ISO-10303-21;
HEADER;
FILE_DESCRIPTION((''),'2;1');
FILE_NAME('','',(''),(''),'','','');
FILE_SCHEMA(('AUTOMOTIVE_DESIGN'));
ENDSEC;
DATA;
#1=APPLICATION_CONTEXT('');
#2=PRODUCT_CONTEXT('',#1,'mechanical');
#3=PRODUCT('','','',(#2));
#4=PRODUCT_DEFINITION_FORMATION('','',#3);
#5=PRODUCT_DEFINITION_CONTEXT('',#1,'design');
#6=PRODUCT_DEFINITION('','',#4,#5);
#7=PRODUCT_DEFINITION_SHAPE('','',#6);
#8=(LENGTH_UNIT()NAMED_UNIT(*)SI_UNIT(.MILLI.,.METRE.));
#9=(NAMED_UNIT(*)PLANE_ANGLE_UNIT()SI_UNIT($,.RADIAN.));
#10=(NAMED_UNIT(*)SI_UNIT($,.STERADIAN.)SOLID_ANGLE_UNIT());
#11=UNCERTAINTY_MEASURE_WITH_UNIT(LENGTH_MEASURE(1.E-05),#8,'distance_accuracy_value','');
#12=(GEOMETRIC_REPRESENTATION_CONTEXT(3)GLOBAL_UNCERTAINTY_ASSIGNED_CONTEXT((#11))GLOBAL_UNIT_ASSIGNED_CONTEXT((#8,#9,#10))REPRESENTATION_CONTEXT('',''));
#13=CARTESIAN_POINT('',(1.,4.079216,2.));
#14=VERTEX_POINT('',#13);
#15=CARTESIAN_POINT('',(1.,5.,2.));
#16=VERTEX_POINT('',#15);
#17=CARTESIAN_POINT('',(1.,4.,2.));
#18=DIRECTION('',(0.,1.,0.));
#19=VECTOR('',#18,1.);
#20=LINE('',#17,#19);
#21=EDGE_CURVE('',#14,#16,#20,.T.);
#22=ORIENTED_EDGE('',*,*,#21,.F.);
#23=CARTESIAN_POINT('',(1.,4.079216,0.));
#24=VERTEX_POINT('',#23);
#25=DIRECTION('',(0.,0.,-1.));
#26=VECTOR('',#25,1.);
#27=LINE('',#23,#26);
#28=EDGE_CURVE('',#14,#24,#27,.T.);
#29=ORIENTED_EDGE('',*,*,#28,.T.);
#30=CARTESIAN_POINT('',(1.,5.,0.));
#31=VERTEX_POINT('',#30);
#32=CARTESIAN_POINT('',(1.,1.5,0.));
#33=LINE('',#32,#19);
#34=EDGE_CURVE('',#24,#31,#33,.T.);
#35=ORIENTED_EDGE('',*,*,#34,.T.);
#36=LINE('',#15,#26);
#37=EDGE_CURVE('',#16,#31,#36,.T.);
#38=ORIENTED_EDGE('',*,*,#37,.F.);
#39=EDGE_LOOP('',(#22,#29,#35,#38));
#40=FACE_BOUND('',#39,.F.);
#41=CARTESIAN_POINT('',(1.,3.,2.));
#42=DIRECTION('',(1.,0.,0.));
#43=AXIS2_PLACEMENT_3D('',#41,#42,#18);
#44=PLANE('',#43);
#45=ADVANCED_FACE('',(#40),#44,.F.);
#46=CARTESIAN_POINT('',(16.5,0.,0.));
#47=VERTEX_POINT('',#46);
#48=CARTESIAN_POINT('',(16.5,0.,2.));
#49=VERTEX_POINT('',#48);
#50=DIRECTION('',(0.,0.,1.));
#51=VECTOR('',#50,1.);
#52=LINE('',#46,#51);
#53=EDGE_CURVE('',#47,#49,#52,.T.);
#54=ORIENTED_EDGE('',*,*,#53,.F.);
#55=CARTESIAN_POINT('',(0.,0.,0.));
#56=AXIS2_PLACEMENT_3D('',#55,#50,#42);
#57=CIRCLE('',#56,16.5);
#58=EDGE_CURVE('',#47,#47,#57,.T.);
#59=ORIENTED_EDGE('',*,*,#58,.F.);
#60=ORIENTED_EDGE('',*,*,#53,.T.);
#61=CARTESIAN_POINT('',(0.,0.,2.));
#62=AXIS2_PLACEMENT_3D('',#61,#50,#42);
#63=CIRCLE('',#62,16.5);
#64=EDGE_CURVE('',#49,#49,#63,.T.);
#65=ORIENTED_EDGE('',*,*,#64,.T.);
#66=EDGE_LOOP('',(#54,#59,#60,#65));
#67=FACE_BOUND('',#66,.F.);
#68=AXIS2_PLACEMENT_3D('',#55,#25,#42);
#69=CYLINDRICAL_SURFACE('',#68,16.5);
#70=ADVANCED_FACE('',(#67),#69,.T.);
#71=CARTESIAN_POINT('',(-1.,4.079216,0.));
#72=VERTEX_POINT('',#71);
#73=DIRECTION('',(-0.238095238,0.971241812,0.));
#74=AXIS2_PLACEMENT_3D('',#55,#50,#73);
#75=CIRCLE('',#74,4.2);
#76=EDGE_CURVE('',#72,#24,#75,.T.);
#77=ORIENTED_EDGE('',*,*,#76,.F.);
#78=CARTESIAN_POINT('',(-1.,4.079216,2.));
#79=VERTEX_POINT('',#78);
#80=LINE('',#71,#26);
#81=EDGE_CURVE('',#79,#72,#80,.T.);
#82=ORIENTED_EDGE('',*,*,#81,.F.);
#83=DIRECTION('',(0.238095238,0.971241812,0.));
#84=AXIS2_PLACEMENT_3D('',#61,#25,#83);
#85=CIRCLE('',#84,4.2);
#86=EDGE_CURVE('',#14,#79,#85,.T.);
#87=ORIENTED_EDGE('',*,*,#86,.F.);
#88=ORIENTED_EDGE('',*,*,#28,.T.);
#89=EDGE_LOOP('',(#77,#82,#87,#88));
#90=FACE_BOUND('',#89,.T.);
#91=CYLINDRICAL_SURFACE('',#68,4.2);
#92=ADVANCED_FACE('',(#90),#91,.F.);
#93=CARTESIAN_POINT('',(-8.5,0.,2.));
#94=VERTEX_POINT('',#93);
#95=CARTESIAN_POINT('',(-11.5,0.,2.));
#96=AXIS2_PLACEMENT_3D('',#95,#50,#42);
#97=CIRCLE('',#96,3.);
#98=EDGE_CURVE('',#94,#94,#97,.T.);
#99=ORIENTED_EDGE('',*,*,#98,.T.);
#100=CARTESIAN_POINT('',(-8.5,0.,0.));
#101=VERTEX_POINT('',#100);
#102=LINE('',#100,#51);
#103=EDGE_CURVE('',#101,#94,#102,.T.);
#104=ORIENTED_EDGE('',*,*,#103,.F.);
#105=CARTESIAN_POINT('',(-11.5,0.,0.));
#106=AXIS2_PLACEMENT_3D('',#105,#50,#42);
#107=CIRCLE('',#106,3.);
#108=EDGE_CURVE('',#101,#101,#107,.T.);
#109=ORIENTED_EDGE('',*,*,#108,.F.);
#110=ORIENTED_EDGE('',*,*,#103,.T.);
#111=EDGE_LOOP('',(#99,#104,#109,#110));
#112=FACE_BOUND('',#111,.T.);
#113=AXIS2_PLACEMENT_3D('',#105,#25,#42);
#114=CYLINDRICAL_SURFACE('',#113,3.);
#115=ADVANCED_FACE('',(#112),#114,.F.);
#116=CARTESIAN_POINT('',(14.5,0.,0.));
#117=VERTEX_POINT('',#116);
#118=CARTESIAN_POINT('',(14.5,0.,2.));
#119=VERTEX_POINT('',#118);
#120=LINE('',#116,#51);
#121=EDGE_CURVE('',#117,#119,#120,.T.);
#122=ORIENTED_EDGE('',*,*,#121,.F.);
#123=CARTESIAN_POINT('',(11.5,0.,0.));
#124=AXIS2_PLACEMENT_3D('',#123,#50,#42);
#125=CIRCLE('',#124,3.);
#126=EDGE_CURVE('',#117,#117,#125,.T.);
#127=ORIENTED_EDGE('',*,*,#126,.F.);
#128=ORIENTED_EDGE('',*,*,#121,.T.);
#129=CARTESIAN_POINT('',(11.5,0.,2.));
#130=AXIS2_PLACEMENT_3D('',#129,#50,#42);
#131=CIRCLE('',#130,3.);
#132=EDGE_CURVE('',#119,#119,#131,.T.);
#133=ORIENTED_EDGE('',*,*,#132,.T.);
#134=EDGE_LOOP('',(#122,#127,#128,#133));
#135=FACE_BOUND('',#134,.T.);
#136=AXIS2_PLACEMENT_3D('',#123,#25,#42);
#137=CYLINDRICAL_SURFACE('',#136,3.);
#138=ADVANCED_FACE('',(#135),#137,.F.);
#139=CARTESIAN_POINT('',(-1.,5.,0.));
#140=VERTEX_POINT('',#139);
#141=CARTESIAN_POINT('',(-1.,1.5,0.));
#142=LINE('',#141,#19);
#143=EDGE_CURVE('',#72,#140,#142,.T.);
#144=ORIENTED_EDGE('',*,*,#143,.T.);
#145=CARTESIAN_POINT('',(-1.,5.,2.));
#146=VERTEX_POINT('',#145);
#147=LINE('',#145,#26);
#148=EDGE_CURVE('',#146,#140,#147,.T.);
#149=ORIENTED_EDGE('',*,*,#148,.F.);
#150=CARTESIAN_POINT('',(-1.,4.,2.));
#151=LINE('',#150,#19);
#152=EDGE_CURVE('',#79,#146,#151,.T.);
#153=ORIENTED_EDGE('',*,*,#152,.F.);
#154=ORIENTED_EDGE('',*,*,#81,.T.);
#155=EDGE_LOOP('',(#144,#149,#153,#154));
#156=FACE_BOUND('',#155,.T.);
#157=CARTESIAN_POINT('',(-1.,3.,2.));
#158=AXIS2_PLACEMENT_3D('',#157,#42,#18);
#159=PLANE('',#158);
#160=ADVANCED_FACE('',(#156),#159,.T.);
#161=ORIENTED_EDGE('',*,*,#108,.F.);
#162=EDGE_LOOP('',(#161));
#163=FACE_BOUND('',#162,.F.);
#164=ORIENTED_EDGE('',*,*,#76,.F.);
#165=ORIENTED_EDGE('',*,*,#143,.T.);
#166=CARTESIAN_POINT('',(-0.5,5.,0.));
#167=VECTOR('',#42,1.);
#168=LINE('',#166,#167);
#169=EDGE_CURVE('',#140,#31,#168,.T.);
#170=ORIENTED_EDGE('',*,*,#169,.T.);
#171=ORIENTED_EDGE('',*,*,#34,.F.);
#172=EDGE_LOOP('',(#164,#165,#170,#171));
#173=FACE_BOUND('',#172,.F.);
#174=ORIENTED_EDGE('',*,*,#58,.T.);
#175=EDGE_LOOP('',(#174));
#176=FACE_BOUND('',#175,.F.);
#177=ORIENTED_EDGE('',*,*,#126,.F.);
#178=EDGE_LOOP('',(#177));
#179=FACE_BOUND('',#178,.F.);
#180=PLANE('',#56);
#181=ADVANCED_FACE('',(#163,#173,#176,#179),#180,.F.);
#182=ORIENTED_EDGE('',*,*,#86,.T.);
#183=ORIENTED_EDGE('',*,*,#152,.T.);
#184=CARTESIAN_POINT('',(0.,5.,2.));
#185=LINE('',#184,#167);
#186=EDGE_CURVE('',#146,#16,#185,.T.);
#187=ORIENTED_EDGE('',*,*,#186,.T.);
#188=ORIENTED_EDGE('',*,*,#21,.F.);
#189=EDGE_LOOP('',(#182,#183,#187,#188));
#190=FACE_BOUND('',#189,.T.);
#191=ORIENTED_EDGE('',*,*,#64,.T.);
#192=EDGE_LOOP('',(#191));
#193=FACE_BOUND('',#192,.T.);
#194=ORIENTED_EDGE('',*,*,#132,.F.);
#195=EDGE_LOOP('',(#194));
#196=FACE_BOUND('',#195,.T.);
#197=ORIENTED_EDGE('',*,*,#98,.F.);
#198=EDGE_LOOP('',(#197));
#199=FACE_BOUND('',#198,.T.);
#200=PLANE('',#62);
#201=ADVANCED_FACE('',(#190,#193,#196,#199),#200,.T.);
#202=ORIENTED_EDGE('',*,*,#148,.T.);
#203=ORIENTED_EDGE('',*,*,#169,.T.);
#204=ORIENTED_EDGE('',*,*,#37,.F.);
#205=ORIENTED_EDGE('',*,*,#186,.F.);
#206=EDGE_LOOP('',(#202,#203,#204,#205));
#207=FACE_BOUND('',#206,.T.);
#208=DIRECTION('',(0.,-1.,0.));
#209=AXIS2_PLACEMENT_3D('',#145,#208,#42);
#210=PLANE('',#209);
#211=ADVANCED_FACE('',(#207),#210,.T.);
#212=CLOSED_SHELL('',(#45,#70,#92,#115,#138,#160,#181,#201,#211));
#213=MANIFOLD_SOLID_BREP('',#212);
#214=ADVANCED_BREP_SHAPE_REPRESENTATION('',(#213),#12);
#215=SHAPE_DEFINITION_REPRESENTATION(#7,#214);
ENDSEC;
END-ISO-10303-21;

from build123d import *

# Parameters (mm, degrees)
SKETCH_R     = 16.5
SKETCH_R_2   = 3
SKETCH_R_3   = 4.2
PAD_DEPTH    = 2
SKETCH001_W  = 2
SKETCH001_H  = 2
POCKET_DEPTH = 2.001


with BuildPart() as part:
    # Sketch → Pad (new body)
    with BuildSketch(Plane.XY):
        Circle(SKETCH_R)
        with Locations((-11.5, 0)):
            Circle(SKETCH_R_2, mode=Mode.SUBTRACT)
        with Locations((11.5, 0)):
            Circle(SKETCH_R_2, mode=Mode.SUBTRACT)
        Circle(SKETCH_R_3, mode=Mode.SUBTRACT)
    extrude(amount=PAD_DEPTH)

    # Sketch001 → Pocket (cut, through all)
    with BuildSketch(Plane.XY.offset(2)):
        with Locations((0, 4)):
            Rectangle(SKETCH001_W, SKETCH001_H)
    extrude(amount=-POCKET_DEPTH, mode=Mode.SUBTRACT)


solid = part.part
